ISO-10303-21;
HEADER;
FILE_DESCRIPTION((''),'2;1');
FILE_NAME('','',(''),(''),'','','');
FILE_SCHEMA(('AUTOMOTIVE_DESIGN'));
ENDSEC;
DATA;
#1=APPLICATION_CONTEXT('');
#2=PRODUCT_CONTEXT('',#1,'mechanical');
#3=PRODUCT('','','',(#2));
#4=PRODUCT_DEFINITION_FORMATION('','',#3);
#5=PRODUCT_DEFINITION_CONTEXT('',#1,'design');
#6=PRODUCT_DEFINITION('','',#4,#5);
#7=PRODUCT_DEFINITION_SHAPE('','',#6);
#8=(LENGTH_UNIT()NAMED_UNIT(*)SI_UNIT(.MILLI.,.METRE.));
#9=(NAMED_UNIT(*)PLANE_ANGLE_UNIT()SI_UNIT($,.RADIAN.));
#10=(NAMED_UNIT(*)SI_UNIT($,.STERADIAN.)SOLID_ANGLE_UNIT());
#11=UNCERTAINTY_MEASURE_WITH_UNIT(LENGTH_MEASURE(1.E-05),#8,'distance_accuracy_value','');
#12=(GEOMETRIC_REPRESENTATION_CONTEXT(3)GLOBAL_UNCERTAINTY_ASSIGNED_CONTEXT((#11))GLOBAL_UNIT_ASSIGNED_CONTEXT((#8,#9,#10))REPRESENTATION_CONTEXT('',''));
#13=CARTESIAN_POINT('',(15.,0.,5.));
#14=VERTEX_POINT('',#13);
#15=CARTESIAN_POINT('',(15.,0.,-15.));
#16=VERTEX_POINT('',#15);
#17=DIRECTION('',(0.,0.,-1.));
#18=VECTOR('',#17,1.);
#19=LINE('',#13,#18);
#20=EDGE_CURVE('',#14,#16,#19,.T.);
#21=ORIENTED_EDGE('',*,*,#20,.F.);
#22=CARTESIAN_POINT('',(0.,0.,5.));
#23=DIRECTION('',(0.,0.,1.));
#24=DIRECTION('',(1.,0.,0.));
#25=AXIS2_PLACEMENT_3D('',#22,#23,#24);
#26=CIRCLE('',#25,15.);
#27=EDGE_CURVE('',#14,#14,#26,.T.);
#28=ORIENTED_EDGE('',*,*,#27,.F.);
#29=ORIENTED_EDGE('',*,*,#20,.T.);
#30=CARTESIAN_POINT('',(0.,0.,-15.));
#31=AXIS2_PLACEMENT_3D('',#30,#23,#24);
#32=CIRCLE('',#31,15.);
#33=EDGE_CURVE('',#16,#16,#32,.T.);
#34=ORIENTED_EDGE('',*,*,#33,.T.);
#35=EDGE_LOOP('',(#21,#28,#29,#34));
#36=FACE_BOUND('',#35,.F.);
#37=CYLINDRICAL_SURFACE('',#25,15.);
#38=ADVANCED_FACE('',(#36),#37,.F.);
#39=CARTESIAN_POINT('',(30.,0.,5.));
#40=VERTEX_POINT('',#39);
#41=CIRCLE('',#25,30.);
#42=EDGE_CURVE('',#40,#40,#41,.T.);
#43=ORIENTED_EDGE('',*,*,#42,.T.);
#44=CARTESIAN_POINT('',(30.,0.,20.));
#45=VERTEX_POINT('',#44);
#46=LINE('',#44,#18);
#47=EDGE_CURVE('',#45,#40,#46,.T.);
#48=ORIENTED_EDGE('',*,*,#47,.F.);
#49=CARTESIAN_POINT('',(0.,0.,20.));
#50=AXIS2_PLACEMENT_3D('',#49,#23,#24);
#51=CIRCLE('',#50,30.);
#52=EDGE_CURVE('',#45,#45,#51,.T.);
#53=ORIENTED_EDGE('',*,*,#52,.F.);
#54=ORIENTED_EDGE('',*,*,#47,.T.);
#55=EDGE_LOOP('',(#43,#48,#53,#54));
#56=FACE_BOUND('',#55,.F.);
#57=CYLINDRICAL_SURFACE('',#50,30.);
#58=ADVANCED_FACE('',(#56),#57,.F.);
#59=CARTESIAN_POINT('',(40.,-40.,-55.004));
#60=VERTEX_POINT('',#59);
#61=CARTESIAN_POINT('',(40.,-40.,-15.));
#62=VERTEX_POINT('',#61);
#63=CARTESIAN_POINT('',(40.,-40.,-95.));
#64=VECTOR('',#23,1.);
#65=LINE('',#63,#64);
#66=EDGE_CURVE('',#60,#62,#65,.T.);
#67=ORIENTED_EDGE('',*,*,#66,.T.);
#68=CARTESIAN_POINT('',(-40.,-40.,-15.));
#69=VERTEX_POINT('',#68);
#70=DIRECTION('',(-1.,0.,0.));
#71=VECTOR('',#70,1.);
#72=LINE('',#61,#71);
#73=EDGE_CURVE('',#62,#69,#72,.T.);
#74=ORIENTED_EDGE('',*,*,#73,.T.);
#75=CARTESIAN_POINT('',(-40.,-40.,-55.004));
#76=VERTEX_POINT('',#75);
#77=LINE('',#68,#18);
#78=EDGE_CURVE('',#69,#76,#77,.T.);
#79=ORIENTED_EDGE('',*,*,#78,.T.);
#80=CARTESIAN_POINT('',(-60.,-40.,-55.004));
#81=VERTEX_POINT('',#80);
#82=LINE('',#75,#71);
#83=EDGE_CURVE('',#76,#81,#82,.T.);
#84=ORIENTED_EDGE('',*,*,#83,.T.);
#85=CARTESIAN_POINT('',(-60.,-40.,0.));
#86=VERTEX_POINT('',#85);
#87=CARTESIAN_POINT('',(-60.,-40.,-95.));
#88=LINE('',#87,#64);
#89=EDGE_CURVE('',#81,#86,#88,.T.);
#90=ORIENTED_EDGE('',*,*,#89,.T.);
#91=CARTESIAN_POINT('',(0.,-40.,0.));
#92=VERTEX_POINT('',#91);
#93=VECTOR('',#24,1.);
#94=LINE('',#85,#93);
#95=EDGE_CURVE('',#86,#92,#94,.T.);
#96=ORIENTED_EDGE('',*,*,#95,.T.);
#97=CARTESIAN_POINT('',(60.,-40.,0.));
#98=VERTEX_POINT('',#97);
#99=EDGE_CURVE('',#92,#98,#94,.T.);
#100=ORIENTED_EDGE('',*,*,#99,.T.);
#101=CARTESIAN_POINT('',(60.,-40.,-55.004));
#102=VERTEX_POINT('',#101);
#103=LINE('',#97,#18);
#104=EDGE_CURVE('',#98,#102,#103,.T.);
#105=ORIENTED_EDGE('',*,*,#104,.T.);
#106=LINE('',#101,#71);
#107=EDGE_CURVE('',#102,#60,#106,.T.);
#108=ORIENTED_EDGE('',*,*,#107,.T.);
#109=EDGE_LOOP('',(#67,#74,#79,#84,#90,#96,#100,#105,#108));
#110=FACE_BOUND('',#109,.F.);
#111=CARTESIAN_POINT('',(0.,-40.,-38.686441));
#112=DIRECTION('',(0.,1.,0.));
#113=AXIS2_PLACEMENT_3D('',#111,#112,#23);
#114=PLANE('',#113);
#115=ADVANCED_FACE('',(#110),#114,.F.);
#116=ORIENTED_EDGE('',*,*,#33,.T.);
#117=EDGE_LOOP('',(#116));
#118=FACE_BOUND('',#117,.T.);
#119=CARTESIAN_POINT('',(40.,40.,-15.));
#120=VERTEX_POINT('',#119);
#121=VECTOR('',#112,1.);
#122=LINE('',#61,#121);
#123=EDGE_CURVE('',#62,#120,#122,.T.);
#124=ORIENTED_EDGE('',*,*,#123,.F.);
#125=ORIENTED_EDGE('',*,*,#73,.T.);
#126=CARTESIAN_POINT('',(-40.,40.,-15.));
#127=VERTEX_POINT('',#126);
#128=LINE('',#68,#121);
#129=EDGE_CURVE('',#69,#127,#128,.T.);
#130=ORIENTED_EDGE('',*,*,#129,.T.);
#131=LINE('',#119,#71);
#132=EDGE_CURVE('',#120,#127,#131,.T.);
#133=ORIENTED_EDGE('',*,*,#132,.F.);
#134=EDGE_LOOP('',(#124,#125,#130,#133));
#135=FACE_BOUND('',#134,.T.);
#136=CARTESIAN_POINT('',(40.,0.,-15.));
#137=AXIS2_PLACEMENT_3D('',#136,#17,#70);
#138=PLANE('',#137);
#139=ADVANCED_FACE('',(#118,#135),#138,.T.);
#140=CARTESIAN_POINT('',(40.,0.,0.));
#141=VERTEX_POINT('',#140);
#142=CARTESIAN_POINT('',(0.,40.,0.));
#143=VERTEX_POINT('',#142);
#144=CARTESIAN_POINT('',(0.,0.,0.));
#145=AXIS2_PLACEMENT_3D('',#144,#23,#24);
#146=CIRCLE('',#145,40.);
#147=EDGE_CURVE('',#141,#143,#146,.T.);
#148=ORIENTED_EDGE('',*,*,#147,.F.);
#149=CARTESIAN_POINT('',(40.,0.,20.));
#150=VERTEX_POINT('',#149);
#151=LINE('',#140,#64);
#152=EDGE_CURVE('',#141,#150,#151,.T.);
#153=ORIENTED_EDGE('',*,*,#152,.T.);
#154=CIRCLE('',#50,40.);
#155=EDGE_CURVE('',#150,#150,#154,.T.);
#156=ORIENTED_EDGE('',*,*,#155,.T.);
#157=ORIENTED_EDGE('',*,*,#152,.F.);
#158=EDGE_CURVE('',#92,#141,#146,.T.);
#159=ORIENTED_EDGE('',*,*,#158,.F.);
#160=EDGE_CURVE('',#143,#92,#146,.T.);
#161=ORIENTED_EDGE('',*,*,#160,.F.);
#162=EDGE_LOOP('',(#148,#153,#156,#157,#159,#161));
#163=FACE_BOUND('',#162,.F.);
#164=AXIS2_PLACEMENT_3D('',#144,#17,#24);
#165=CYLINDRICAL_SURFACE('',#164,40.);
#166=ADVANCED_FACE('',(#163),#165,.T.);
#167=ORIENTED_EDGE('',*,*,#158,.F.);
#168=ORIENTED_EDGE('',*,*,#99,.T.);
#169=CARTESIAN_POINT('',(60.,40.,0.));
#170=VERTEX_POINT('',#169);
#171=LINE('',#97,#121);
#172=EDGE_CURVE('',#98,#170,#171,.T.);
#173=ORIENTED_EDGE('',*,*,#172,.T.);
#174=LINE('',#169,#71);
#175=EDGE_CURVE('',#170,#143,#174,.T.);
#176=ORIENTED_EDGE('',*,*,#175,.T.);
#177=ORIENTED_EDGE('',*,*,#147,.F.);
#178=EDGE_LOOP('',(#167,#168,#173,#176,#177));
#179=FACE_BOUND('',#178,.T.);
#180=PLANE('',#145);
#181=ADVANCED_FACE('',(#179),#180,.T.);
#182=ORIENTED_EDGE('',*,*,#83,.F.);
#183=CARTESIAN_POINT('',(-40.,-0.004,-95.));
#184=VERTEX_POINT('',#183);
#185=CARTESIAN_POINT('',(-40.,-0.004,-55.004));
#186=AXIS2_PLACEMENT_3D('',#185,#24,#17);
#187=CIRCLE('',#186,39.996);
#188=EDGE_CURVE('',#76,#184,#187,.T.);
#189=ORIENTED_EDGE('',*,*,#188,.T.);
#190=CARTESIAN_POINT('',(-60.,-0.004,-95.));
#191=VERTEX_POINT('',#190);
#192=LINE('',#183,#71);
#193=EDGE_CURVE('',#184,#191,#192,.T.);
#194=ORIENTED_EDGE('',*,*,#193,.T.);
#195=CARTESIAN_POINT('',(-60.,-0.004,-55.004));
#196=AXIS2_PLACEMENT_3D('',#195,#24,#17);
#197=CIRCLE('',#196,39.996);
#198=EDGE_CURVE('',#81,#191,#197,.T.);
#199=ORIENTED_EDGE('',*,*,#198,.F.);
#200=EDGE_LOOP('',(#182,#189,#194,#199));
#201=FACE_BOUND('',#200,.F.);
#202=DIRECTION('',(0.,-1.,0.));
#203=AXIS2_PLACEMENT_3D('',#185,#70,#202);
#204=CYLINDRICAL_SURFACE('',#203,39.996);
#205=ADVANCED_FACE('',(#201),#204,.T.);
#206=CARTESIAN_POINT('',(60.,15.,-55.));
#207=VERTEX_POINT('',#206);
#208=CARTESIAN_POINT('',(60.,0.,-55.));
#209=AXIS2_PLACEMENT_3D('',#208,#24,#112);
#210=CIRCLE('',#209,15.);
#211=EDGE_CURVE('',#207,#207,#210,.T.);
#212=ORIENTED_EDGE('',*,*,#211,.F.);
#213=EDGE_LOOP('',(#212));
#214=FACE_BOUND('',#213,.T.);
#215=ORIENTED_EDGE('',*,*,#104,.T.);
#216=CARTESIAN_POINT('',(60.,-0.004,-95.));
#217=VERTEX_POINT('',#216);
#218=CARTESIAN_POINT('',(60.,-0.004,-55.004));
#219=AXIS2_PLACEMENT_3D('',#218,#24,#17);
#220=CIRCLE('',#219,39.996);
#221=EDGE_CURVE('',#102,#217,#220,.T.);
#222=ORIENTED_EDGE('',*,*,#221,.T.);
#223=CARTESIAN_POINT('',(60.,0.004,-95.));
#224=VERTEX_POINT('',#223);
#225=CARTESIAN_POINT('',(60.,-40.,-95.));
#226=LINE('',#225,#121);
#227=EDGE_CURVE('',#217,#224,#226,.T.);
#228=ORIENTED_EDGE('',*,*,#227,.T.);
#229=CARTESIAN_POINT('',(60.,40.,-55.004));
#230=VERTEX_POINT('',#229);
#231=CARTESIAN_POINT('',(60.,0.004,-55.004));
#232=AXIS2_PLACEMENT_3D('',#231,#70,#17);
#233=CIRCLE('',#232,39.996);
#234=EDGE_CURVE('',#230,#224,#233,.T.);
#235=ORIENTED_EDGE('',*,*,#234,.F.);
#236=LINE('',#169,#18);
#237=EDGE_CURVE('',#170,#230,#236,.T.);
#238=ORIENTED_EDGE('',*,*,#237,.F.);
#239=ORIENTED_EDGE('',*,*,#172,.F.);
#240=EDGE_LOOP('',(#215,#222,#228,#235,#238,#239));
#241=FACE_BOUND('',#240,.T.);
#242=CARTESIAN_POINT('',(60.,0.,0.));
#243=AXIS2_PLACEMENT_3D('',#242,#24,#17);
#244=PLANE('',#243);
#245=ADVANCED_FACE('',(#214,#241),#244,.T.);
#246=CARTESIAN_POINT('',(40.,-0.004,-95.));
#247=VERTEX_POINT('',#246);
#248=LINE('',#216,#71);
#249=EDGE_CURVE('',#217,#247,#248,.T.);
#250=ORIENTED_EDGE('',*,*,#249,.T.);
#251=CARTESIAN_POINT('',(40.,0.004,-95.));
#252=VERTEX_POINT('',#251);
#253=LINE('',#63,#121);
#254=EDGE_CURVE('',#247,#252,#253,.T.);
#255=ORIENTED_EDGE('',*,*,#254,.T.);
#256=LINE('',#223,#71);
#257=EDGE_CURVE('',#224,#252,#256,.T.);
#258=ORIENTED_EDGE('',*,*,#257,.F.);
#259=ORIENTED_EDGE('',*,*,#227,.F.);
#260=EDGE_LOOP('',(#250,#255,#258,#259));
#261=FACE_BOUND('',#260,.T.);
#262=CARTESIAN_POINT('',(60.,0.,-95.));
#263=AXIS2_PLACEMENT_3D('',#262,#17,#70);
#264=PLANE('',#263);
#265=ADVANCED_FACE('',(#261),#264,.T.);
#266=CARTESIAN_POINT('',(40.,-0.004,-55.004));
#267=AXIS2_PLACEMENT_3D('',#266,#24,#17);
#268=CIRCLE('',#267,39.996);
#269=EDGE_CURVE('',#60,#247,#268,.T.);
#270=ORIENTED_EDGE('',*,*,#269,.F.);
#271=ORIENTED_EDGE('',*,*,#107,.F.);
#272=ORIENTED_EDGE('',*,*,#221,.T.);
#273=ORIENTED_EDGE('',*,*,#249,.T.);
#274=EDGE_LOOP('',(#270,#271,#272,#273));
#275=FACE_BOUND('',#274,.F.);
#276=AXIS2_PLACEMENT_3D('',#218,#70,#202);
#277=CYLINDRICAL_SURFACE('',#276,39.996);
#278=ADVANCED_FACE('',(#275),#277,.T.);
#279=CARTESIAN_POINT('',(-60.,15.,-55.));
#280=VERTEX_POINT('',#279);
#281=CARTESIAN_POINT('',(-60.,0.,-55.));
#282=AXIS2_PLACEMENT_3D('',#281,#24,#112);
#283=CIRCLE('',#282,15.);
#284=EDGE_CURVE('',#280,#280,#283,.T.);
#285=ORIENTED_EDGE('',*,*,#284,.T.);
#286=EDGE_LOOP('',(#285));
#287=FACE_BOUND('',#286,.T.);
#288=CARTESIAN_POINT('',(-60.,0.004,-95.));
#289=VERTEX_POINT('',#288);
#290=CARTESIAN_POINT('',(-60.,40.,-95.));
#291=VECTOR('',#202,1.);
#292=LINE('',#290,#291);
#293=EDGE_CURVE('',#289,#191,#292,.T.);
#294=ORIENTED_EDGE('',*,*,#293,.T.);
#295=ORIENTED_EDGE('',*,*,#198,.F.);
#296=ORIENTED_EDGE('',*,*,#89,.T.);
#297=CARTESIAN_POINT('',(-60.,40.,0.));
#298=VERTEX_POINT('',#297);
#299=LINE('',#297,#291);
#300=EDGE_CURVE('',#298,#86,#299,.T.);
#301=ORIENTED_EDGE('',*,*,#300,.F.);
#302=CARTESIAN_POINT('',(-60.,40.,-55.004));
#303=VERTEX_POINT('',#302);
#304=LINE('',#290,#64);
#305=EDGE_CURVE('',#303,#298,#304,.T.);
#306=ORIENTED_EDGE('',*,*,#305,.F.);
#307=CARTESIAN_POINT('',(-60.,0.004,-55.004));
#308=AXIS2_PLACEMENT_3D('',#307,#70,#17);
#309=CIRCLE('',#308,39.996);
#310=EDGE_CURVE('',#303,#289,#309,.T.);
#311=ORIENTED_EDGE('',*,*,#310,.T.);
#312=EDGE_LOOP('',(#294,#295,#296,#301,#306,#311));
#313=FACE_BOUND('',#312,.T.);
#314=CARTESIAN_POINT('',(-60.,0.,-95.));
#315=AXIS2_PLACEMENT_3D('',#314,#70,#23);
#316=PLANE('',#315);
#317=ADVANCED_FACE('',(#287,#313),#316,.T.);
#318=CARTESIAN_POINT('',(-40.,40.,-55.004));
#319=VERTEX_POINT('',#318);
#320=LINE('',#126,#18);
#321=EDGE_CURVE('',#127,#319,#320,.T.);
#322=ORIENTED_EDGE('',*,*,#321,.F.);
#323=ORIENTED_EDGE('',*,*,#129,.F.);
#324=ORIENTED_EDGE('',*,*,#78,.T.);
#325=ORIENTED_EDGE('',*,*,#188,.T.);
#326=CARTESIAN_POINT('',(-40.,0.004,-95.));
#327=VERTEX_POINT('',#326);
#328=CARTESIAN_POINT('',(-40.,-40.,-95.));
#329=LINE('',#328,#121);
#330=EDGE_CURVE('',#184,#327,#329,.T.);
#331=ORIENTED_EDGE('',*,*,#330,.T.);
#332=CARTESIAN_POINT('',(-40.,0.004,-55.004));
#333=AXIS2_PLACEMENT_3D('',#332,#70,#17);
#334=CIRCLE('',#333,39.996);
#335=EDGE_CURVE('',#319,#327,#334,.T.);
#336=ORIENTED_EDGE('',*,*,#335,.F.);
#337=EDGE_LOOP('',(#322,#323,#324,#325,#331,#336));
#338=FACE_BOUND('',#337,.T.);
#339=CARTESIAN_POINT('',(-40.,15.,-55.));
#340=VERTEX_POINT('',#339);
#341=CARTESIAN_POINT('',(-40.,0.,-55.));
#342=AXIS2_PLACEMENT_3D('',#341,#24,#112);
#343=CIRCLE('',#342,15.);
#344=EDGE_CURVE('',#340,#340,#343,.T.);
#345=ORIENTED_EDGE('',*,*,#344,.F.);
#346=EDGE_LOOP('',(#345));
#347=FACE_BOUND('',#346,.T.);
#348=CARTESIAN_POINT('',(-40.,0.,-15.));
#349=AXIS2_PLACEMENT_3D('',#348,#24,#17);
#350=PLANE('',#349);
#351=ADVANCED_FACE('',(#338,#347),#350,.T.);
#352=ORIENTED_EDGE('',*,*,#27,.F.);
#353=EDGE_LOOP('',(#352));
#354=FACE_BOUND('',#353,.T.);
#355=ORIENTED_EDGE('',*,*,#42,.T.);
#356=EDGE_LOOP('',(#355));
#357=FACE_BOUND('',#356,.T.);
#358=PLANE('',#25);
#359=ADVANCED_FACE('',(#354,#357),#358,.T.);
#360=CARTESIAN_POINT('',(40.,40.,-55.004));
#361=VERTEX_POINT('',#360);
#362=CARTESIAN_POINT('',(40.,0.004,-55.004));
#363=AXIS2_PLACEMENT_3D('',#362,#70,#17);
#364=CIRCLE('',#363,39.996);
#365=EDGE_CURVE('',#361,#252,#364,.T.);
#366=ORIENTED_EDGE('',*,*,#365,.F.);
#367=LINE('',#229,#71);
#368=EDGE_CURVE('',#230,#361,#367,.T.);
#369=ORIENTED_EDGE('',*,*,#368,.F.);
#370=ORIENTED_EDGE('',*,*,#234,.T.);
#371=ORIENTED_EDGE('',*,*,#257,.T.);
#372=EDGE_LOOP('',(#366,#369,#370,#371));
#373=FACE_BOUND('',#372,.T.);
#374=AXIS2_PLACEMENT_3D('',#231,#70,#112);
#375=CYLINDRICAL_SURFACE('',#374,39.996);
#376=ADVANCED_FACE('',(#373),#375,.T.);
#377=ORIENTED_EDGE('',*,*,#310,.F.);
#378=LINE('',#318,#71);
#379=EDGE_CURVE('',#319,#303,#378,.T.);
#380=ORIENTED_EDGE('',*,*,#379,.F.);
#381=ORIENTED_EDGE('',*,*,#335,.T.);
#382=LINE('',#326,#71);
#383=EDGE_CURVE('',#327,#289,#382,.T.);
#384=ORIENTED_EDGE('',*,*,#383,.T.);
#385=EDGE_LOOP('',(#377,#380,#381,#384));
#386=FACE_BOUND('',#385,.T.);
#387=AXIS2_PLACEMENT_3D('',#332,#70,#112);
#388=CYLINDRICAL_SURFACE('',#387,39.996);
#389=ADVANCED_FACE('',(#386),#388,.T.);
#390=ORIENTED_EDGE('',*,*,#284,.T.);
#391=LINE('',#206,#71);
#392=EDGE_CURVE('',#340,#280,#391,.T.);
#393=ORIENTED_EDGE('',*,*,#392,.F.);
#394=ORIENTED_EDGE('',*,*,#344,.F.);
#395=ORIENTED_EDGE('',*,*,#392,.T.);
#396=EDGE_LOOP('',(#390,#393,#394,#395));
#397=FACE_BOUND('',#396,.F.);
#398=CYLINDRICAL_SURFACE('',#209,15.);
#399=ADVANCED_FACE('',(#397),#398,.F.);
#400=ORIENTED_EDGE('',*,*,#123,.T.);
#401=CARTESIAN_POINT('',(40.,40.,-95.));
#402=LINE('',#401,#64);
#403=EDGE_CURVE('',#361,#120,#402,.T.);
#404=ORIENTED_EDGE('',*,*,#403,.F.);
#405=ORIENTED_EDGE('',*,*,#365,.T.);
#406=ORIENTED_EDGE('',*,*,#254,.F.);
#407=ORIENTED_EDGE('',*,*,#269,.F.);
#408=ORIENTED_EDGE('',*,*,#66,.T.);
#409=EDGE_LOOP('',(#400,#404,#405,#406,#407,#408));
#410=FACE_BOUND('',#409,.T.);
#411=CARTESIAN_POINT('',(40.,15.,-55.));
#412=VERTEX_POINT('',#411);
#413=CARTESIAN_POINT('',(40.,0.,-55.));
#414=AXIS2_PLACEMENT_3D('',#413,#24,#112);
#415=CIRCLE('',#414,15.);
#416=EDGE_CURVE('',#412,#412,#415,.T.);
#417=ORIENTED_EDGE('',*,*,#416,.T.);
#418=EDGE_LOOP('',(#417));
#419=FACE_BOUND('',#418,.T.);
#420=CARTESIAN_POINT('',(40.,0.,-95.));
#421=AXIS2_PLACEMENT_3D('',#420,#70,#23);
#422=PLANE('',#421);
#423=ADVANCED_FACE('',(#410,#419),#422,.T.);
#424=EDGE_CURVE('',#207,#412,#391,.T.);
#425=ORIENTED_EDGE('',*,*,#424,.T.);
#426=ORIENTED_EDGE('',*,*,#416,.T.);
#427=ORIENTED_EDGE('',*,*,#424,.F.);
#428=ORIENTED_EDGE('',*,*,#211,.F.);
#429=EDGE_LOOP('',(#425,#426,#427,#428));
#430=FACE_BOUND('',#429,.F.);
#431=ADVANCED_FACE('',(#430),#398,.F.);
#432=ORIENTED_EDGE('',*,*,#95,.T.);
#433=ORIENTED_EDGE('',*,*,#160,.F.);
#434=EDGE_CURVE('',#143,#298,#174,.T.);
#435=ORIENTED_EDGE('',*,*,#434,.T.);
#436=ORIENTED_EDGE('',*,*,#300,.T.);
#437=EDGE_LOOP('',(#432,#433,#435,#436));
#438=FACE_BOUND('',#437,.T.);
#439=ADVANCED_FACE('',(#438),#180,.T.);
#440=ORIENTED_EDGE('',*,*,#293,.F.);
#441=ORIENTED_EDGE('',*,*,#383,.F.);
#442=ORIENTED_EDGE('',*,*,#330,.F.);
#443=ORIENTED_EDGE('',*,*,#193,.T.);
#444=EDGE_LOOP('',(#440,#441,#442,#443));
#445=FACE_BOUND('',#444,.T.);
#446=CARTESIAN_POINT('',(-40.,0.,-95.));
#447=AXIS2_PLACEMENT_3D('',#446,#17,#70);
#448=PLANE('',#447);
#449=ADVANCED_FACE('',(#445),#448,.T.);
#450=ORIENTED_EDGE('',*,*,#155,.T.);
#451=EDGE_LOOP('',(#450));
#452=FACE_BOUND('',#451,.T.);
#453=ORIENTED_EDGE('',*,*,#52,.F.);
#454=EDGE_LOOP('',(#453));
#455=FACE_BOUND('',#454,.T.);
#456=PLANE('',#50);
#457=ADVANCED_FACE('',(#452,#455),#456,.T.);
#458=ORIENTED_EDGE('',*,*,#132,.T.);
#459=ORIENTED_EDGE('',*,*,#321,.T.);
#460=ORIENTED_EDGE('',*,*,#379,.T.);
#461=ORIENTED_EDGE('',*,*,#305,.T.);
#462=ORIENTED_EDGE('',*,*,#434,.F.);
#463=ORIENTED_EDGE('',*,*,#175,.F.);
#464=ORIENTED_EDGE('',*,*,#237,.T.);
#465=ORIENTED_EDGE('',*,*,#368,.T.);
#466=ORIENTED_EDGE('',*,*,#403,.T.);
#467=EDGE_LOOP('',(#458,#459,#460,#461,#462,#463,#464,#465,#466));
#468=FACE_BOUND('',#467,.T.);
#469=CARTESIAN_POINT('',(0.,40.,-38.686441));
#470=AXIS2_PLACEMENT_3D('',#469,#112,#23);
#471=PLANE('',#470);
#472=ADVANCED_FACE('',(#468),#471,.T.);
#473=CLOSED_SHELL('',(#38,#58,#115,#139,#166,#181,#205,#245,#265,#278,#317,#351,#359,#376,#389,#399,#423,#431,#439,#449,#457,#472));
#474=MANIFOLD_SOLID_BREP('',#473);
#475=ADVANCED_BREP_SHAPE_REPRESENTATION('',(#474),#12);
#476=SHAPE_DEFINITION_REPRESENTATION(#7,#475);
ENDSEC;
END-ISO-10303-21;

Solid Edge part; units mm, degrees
sketch "Sketch1" plane through (0, 0, 0) normal (0, -1, 0) x (1, 0, 0)
  line L0 (0, 0) -> (60, 0)
  line L1 (60, 0) -> (60, -95)
  line L2 (60, -95) -> (40, -95)
  line L3 (40, -95) -> (40, -15)
  line L4 (40, -15) -> (-40, -15)
  line L5 (-40, -15) -> (-40, -95)
  line L6 (-40, -95) -> (-60, -95)
  line L7 (-60, -95) -> (-60, 0)
  line L8 (-60, 0) -> (0, 0)
extrude "Protrusion1" add sketch "Sketch1" along normal mid plane 80
sketch "Sketch2" plane through (60, 0, -47.5) normal (1, 0, 0) x (0, 1, 0)
  circle A0 centre (0, -7.5) radius 15
extrude "ExtrudedCutout_1" cut sketch "Sketch2" against normal blind 120
fillet "Round_3" radius 40 4 edges at (50, -40, -95) (50, 40, -95) (-50, 40, -95) (-50, -40, -95)
sketch "Sketch3" plane through (0, 0, 0) normal (0, 0, 1) x (1, 0, 0)
  circle A0 centre (0, 0) radius 40
extrude "ExtrudedProtrusion_3" add sketch "Sketch3" along normal blind 20
sketch "Sketch4" plane through (0, 0, 20) normal (0, 0, 1) x (1, 0, 0)
  circle A0 centre (0, 0) radius 30
extrude "ExtrudedCutout_3" cut sketch "Sketch4" against normal blind 15
sketch "Sketch5" plane through (0, 0, 5) normal (0, 0, 1) x (1, 0, 0)
  circle A0 centre (0, 0) radius 15
extrude "ExtrudedCutout_4" cut sketch "Sketch5" against normal blind 20
